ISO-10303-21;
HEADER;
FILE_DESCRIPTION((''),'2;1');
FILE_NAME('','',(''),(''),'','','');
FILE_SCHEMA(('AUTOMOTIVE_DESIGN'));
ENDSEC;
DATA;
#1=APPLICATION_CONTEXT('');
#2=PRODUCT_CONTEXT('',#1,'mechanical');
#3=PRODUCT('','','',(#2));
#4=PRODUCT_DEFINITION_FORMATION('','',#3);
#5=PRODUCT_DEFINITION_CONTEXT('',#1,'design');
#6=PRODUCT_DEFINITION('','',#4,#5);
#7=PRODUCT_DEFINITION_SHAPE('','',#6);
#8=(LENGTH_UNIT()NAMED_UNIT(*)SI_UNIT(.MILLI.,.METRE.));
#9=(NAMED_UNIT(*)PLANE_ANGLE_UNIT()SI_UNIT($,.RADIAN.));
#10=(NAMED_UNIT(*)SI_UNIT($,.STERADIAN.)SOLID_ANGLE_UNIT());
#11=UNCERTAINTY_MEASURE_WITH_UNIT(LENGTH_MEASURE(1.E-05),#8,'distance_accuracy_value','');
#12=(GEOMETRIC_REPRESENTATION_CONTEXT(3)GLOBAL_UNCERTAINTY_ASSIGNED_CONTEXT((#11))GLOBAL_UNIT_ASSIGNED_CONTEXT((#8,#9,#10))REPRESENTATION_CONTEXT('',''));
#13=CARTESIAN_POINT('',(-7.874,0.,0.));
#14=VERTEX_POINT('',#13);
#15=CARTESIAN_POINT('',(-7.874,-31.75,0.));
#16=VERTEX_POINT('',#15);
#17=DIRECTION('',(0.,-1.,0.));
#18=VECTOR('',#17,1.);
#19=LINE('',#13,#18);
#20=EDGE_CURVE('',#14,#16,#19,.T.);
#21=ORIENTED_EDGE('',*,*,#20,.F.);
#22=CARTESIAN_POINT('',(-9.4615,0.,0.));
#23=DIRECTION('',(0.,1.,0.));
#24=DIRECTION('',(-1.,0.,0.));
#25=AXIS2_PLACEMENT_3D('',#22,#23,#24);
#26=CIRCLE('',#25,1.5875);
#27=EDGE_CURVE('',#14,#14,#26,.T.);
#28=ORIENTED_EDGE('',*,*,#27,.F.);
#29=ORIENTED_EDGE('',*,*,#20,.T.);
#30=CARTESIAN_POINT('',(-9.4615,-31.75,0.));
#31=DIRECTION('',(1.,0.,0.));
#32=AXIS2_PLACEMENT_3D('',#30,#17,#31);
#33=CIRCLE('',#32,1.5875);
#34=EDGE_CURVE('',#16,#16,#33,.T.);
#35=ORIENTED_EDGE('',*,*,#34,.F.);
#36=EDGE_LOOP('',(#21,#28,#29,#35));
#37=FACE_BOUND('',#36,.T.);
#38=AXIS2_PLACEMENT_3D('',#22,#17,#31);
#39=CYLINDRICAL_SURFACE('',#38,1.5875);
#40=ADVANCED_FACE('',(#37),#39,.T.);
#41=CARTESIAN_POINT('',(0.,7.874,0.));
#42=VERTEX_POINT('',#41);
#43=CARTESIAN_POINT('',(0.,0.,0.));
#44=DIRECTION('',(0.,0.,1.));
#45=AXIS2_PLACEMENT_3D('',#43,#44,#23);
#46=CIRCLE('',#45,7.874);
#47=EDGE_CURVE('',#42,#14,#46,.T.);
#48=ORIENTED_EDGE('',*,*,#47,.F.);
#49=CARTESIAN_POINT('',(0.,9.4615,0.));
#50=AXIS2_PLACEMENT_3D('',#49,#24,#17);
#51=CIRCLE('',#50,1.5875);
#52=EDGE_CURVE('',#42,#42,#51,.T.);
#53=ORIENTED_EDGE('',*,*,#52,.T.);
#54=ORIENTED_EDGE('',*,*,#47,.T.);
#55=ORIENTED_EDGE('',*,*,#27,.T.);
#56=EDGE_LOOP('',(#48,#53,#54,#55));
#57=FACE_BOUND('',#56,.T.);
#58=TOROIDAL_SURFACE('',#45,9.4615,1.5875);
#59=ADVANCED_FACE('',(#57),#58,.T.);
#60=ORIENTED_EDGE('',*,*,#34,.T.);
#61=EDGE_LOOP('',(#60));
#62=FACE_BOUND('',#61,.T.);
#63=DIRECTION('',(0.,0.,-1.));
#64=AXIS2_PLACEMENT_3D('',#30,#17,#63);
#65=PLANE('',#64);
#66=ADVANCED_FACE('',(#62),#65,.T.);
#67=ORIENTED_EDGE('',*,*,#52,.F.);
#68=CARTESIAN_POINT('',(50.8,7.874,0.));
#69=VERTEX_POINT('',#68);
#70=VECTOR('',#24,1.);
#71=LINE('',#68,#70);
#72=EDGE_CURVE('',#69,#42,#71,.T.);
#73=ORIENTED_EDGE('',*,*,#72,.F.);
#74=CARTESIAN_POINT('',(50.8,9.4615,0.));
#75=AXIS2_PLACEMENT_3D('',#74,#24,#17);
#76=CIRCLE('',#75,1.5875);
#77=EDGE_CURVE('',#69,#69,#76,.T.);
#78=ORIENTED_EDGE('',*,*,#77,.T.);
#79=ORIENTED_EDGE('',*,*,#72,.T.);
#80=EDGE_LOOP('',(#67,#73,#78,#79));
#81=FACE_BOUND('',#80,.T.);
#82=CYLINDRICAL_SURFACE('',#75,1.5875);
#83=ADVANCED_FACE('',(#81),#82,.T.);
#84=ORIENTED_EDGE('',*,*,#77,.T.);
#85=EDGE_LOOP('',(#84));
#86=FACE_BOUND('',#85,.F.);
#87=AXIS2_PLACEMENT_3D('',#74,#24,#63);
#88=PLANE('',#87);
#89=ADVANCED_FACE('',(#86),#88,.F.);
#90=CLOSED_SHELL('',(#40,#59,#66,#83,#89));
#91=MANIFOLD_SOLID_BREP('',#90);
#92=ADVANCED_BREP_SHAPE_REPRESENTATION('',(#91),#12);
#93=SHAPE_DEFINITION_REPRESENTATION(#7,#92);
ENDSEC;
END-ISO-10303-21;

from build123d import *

# Parameters (mm, degrees)
F2_R = 1.5875


with BuildPart() as f3:
    # F3: sweep along a path in F0
    with BuildLine(Plane.XY) as f3_path:
        Line((50.8, 7.874), (0, 7.874))
        ThreePointArc((0, 7.874), (-5.5677587951, 5.5677587951), (-7.874, 0))
        Line((-7.874, 0), (-7.874, -31.75))
    # F2 (on plane+point) → F3 (sweep)
    with BuildSketch(Plane.XZ.offset(31.75)):
        with Locations((-9.4615, 0)):
            Circle(F2_R)
    sweep(path=f3_path.line)


solid = f3.part
